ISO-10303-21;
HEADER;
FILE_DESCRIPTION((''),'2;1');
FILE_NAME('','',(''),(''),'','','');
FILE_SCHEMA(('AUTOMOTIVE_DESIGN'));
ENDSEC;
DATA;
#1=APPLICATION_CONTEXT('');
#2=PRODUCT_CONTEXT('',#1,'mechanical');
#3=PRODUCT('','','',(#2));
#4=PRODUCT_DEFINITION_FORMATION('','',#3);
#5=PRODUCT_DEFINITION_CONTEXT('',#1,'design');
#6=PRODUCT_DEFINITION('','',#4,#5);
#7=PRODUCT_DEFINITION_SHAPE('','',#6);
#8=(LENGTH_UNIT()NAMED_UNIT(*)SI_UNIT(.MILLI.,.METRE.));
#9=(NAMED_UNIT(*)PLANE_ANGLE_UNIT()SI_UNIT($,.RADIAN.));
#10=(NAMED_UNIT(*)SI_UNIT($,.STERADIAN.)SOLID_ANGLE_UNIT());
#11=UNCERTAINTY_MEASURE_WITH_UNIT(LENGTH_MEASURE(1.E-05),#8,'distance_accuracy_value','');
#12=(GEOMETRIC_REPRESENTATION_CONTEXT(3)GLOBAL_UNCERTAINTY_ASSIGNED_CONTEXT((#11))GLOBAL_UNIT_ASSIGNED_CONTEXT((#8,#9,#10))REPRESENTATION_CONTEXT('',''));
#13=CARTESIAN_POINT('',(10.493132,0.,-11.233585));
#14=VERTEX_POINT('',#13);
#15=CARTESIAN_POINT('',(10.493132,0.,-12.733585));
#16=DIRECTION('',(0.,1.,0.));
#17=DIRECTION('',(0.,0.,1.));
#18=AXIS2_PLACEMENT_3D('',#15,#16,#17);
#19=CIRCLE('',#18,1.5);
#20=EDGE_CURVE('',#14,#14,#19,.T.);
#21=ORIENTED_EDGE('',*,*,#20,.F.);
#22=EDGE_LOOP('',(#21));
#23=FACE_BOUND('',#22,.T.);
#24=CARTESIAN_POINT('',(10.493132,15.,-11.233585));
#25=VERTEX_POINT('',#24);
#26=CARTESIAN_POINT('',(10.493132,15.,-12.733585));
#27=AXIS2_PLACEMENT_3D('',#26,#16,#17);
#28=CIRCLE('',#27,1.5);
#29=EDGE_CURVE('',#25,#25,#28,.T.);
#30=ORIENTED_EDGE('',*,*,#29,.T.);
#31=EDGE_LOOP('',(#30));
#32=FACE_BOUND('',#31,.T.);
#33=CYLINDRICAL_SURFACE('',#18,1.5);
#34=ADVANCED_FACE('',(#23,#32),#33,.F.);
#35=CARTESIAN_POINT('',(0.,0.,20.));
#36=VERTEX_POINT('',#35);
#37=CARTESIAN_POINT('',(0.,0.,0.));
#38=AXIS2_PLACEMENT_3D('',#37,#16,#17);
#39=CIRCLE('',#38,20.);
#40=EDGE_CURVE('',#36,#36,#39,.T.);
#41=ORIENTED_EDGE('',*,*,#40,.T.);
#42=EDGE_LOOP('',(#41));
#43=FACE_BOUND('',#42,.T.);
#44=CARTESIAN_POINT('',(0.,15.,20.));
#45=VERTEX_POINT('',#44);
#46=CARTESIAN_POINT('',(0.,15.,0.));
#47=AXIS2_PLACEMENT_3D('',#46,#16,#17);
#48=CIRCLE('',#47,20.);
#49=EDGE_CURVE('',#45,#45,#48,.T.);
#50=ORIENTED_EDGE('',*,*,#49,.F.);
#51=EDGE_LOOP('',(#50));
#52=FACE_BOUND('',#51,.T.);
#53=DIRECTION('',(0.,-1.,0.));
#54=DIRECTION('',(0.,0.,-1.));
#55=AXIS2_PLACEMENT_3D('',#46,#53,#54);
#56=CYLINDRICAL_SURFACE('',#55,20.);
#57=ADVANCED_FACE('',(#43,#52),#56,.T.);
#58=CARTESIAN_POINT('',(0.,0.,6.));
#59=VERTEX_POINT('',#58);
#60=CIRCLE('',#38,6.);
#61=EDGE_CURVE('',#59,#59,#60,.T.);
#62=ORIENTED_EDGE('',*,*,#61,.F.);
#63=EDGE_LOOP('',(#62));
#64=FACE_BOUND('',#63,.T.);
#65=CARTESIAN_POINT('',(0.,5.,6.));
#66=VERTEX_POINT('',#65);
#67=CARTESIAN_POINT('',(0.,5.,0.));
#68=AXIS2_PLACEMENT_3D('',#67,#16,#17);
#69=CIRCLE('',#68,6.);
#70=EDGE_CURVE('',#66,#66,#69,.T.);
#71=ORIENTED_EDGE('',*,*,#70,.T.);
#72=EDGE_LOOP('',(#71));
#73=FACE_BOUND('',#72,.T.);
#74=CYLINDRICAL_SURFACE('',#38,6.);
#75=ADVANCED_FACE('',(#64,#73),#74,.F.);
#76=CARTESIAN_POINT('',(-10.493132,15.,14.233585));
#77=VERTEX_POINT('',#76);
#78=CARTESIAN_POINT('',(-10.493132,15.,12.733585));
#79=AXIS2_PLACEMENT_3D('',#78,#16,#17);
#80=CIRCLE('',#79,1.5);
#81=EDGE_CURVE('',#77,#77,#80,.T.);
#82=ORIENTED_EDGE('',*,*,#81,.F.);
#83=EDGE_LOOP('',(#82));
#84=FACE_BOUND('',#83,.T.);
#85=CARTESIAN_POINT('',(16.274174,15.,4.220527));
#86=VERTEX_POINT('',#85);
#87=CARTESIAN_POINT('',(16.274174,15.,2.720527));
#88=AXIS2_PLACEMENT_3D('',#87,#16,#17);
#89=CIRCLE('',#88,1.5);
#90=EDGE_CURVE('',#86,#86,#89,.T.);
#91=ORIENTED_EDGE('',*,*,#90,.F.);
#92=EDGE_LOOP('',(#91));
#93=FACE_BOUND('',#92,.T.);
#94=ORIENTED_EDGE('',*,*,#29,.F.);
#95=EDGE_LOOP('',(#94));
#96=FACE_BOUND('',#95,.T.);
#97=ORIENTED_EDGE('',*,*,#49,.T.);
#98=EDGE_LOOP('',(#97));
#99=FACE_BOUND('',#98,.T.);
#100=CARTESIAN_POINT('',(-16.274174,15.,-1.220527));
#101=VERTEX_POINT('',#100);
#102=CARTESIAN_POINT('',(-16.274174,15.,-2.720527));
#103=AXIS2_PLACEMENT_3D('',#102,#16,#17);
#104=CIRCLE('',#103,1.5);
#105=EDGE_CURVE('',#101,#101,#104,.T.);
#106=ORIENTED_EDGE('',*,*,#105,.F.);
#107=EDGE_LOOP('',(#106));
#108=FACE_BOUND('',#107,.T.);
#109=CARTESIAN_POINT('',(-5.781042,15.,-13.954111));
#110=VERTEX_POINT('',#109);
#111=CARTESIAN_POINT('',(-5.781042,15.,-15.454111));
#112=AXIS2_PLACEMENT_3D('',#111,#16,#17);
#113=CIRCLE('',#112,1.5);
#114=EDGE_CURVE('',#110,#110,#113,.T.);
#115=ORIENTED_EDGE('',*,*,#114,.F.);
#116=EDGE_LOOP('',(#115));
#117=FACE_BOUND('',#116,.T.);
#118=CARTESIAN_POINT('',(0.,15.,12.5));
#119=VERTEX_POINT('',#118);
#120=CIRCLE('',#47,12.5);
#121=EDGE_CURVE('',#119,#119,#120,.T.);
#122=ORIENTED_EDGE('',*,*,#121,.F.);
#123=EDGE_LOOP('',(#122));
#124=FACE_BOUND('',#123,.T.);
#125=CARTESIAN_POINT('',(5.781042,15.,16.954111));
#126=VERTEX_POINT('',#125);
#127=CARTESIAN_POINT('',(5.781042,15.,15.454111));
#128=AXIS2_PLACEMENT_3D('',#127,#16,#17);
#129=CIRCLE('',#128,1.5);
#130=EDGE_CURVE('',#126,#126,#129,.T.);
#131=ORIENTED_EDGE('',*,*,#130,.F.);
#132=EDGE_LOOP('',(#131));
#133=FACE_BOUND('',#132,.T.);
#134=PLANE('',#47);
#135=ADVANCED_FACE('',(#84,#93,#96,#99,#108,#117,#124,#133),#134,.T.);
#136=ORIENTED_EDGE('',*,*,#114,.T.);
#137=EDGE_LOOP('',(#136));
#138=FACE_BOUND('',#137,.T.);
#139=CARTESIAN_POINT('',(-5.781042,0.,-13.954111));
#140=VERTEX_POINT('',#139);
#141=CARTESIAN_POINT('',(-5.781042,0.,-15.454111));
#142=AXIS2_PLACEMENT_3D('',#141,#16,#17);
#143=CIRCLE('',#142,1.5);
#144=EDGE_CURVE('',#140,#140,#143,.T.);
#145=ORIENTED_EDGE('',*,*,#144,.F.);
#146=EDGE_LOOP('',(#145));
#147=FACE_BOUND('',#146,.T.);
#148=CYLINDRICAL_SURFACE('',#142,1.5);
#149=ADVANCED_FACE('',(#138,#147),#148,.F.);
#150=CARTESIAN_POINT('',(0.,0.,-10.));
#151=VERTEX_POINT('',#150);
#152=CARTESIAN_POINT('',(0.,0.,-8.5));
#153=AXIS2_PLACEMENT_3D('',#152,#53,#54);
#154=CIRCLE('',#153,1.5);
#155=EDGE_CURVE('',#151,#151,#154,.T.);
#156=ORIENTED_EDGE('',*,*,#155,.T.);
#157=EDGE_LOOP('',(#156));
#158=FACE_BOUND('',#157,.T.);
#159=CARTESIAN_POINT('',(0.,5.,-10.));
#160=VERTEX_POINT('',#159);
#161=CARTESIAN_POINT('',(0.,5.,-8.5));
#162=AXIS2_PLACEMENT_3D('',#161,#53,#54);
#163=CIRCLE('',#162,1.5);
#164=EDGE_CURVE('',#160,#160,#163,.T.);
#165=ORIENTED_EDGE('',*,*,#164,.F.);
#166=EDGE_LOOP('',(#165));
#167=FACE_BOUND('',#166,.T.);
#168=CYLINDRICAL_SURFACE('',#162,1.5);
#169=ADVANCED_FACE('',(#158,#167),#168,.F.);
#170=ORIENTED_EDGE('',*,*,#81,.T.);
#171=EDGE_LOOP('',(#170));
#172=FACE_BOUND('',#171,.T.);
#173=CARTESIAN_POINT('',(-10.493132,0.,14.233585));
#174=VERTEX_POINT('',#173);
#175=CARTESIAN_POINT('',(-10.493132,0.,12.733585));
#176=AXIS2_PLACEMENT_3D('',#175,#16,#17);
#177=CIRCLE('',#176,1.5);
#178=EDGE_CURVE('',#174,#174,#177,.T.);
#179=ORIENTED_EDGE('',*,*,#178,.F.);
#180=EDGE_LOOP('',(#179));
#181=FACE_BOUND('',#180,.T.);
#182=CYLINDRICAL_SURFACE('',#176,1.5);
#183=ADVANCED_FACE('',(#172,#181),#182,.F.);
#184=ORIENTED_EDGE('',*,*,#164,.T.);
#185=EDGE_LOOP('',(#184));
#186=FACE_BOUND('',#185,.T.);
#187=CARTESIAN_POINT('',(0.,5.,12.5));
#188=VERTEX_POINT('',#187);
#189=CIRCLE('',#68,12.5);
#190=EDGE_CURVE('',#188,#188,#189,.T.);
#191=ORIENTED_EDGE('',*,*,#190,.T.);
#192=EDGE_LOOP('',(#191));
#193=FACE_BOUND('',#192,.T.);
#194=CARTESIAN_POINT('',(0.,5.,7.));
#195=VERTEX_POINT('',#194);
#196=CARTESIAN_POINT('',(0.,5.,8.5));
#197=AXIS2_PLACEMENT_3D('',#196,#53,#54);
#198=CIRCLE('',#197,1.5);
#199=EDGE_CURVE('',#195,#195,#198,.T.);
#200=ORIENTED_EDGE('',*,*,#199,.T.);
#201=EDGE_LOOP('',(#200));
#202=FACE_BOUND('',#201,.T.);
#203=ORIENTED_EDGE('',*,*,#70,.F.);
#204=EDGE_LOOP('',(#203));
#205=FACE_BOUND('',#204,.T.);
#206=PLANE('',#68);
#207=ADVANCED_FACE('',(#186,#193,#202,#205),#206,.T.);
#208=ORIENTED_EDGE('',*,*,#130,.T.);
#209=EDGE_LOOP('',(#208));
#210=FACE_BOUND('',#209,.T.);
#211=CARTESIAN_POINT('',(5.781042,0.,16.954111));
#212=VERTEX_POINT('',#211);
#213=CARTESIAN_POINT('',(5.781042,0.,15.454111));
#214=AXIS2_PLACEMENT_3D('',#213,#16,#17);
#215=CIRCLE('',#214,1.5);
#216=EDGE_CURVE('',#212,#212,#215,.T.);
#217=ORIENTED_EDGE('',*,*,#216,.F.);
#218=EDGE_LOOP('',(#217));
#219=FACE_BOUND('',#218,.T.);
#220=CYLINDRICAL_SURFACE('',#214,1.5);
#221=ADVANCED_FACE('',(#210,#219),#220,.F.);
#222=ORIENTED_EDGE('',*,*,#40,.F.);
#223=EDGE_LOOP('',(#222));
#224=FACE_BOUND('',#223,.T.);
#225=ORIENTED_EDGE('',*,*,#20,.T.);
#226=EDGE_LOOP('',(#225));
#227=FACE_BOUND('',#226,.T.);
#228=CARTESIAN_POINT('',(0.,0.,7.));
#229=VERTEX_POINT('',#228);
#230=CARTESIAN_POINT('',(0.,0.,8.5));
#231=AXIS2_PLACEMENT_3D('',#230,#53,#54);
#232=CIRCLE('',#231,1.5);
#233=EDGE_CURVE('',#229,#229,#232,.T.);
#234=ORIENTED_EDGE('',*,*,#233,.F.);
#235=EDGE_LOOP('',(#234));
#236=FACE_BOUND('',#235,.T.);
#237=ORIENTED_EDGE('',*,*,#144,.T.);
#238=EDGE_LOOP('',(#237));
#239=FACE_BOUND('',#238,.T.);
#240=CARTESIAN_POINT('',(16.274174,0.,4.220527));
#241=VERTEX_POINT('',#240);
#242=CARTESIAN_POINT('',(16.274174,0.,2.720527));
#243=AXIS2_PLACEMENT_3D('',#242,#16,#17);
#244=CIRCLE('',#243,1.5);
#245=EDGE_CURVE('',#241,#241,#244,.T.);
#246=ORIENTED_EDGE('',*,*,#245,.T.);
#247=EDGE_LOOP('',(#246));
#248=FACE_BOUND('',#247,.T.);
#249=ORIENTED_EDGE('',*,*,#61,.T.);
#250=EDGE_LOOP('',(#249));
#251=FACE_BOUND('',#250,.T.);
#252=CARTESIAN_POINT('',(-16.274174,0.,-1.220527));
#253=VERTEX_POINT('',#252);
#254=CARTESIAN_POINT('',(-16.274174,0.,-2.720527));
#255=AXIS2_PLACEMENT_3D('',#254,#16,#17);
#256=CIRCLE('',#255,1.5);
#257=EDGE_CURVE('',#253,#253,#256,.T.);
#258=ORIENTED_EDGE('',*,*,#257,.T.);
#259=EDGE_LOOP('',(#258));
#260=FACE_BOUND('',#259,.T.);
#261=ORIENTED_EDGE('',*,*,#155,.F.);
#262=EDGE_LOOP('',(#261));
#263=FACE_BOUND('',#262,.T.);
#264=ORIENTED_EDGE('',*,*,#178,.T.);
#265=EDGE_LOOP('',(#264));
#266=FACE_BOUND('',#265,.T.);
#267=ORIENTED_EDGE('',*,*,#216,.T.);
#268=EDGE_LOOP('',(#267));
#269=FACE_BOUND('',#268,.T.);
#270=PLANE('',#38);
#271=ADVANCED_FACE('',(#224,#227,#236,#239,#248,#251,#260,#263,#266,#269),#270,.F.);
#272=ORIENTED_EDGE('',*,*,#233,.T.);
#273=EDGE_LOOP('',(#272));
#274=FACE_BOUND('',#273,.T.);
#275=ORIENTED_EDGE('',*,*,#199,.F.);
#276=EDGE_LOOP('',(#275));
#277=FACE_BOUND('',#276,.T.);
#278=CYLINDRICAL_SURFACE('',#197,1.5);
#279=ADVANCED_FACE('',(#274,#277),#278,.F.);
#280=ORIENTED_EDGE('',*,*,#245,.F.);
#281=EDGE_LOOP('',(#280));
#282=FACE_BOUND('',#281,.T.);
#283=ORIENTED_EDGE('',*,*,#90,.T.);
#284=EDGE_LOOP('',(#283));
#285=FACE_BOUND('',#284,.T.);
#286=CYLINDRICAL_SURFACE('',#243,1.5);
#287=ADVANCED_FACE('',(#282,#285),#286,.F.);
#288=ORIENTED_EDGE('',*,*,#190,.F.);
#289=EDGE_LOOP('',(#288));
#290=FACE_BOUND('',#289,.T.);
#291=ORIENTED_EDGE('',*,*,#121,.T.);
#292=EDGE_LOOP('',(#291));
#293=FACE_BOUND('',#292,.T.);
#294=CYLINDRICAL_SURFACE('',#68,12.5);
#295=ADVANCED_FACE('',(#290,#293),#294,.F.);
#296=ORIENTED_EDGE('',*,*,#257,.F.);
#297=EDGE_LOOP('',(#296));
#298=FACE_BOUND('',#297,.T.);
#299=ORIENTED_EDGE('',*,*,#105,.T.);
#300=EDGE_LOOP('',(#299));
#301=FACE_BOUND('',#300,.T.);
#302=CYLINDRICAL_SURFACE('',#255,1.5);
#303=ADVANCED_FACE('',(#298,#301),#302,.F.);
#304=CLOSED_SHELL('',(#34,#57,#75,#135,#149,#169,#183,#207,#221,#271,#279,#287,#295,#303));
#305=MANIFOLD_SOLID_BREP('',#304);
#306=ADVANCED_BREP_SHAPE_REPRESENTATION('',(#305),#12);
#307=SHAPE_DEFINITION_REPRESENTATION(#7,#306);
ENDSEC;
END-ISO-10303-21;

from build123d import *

# Parameters (mm, degrees)
SKETCH1_R           = 20
BOSS_EXTRUDE1_DEPTH = 15
SKETCH2_R           = 12.5
CUT_EXTRUDE1_DEPTH  = 10
SKETCH3_R           = 6
CUT_EXTRUDE2_DEPTH  = 5
SKETCH4_R           = 1.5
CUT_EXTRUDE3_DEPTH  = 15
SKETCH5_R           = 1.5
CUT_EXTRUDE4_DEPTH  = 5


with BuildPart() as part:
    # Sketch1 → Boss-Extrude1 (new body)
    with BuildSketch(Plane(origin=(0, 0, 0), x_dir=(1, 0, 0), z_dir=(0, 1, 0))):
        Circle(SKETCH1_R)
    extrude(amount=BOSS_EXTRUDE1_DEPTH)

    # Sketch2 → Cut-Extrude1 (cut)
    with BuildSketch(Plane(origin=(0, 15, 0), x_dir=(1, 0, 0), z_dir=(0, 1, 0))):
        Circle(SKETCH2_R)
    extrude(amount=-CUT_EXTRUDE1_DEPTH, mode=Mode.SUBTRACT)

    # Sketch3 → Cut-Extrude2 (cut)
    with BuildSketch(Plane(origin=(0, 5, 0), x_dir=(1, 0, 0), z_dir=(0, 1, 0))):
        Circle(SKETCH3_R)
    extrude(amount=-CUT_EXTRUDE2_DEPTH, mode=Mode.SUBTRACT)

    # Sketch4 → Cut-Extrude3 (cut)
    with BuildSketch(Plane(origin=(0, 15, 0), x_dir=(1, 0, 0), z_dir=(0, 1, 0))):
        with Locations((-10.493132047, -12.733584721)):
            Circle(SKETCH4_R)
        with Locations((-16.274173873, 2.720526557)):
            Circle(SKETCH4_R)
        with Locations((-5.781041827, 15.454111278)):
            Circle(SKETCH4_R)
        with Locations((10.493132047, 12.733584721)):
            Circle(SKETCH4_R)
        with Locations((16.274173873, -2.720526557)):
            Circle(SKETCH4_R)
        with Locations((5.781041827, -15.454111278)):
            Circle(SKETCH4_R)
    extrude(amount=-CUT_EXTRUDE3_DEPTH, mode=Mode.SUBTRACT)

    # Sketch5 → Cut-Extrude4 (cut)
    with BuildSketch(Plane.XZ):
        with Locations((0, 8.5)):
            Circle(SKETCH5_R)
        with Locations((0, -8.5)):
            Circle(SKETCH5_R)
    extrude(amount=-CUT_EXTRUDE4_DEPTH, mode=Mode.SUBTRACT)


solid = part.part
